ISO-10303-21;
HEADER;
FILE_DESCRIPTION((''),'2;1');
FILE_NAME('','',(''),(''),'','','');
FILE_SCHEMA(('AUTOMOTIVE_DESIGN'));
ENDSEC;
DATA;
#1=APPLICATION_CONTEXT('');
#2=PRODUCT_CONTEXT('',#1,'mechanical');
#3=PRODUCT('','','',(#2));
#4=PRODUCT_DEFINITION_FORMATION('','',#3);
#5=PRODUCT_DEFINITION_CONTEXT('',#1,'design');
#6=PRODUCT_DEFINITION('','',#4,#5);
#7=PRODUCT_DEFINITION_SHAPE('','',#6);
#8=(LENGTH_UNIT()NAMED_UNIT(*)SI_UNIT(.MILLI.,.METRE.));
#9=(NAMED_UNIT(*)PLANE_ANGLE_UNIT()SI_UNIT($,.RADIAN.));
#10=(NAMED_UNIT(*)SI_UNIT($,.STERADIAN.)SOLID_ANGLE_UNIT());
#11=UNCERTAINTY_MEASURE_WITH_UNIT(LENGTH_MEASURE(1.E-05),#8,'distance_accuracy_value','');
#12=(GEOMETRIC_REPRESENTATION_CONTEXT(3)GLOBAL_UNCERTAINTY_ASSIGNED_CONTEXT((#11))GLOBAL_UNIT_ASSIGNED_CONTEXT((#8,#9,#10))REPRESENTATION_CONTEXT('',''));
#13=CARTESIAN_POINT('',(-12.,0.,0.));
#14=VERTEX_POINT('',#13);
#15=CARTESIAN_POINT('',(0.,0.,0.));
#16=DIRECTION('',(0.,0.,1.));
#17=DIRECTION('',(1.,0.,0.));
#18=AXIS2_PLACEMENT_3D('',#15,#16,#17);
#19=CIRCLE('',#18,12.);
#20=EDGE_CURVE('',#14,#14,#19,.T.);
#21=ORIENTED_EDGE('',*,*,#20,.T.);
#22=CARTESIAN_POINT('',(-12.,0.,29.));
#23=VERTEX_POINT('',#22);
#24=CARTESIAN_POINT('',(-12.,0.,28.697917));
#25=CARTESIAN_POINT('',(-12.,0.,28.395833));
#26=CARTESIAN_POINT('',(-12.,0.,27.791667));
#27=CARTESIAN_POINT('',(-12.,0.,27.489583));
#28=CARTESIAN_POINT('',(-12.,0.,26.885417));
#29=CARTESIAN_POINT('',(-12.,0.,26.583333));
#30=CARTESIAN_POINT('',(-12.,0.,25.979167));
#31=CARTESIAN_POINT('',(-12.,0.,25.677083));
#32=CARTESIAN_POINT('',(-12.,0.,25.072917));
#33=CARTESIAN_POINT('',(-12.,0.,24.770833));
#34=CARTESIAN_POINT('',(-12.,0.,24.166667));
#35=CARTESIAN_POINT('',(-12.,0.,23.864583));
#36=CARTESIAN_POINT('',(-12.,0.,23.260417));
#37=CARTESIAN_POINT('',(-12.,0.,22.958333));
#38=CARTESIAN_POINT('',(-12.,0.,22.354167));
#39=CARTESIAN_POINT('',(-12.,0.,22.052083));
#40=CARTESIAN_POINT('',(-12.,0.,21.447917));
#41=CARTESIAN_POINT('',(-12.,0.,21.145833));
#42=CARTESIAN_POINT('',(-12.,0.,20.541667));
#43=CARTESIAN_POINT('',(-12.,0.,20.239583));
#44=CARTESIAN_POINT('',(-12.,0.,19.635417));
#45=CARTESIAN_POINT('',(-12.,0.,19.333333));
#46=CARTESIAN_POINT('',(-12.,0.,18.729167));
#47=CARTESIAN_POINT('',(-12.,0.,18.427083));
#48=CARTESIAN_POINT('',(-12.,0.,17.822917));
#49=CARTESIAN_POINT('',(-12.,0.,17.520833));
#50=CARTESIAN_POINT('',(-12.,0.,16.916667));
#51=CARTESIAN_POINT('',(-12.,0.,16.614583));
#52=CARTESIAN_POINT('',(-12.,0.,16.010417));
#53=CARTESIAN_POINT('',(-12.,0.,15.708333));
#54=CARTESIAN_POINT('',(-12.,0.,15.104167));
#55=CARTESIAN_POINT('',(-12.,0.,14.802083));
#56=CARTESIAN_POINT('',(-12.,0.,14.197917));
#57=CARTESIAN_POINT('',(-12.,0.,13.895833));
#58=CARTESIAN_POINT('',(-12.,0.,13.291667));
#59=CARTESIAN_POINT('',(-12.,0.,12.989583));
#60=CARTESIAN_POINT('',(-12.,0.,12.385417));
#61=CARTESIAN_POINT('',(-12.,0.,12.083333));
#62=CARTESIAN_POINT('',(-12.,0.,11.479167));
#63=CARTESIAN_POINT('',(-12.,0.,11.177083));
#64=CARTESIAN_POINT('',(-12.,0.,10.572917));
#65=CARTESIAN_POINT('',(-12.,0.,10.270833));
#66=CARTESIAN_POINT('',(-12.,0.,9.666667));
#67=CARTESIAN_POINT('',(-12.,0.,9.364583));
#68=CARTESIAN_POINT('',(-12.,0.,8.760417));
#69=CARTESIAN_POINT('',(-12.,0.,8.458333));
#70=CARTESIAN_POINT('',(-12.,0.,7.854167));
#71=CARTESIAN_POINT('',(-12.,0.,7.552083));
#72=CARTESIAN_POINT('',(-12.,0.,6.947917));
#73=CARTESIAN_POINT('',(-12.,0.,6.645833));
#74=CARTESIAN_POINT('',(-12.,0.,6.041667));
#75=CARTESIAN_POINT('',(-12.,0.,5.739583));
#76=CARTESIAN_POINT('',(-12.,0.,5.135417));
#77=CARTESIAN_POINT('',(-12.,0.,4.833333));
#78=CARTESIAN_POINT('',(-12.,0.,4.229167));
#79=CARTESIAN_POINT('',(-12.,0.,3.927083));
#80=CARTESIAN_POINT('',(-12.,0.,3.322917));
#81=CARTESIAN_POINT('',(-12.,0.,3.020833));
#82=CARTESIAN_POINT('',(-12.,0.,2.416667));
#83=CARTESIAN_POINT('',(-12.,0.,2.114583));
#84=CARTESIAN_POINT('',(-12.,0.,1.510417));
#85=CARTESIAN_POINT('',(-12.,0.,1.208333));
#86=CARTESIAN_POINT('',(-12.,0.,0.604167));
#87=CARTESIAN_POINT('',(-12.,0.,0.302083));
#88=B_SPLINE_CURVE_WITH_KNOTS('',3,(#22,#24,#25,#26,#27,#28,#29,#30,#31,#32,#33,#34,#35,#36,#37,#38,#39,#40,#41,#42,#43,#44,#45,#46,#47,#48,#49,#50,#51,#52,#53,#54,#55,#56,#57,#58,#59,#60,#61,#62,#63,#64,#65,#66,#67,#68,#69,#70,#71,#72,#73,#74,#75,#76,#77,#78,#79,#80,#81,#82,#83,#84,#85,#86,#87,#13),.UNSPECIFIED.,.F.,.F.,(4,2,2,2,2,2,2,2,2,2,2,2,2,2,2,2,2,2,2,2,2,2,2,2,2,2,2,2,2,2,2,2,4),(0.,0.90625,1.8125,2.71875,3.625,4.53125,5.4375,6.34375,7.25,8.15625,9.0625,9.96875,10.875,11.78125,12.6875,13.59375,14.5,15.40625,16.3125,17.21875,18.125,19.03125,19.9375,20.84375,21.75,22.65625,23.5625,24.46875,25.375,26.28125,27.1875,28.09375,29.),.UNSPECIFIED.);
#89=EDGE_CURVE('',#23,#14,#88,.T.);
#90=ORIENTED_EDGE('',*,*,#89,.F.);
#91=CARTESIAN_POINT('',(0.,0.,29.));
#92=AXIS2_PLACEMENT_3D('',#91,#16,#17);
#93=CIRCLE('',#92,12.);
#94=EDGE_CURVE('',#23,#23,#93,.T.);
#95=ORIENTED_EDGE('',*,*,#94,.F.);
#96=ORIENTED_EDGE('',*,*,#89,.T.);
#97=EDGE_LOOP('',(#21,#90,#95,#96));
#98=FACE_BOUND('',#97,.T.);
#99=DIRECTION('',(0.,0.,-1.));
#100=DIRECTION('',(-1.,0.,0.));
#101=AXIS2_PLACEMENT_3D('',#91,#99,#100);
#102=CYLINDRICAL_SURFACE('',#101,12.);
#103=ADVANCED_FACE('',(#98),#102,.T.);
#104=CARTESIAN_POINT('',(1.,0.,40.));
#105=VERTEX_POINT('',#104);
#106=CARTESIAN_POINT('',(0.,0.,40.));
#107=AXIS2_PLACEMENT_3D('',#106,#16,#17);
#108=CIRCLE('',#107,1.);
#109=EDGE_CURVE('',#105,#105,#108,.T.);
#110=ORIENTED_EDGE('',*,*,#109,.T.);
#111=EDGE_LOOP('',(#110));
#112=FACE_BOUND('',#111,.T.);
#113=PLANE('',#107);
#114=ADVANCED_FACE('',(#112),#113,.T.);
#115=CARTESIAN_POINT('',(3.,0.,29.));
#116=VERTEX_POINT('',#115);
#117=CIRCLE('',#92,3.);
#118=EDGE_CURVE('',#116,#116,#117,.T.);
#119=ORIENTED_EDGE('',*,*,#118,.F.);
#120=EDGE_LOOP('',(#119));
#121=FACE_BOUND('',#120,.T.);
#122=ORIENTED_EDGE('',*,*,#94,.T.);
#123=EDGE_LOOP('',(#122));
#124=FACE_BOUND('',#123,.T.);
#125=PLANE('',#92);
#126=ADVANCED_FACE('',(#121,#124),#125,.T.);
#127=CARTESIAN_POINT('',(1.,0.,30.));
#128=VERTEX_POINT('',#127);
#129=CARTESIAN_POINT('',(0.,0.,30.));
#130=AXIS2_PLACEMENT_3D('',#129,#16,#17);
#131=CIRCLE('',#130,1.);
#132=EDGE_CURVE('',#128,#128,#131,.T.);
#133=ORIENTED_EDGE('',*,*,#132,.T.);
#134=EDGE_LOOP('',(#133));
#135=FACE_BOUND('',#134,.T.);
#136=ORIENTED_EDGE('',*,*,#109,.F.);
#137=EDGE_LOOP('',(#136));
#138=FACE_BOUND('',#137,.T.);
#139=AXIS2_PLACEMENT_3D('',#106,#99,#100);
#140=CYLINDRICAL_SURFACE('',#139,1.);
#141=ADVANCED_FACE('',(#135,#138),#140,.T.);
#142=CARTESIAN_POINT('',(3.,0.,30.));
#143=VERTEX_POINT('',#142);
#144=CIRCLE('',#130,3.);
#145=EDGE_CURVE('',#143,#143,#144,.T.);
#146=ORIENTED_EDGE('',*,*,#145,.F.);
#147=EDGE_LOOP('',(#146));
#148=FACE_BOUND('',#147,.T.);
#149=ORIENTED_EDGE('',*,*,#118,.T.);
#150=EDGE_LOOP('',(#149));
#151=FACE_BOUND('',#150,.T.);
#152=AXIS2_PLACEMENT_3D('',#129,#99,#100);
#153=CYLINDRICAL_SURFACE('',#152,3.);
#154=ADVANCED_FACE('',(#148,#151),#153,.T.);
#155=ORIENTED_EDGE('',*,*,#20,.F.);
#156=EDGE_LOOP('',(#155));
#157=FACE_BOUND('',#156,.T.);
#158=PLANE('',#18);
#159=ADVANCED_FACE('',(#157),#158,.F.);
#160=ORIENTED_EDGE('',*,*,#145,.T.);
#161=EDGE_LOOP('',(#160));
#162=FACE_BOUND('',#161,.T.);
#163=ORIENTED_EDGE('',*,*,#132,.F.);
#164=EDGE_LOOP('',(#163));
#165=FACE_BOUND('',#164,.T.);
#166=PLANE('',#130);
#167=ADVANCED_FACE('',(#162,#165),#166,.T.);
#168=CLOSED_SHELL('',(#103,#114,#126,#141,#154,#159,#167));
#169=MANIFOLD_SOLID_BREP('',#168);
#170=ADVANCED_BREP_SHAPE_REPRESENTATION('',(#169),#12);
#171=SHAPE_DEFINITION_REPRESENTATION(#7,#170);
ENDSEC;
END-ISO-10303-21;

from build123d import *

# Parameters (mm, degrees)
SKETCH1_R           = 12
BOSS_EXTRUDE1_DEPTH = 29
SKETCH2_R           = 3
BOSS_EXTRUDE2_DEPTH = 1
SKETCH3_R           = 1
BOSS_EXTRUDE3_DEPTH = 10


with BuildPart() as part:
    # Sketch1 → Boss-Extrude1 (new body)
    with BuildSketch(Plane.XY):
        with Locations(Location((0, 0, 0), (0, 0, 180))):
            Circle(SKETCH1_R)
    extrude(amount=BOSS_EXTRUDE1_DEPTH)

    # Sketch2 → Boss-Extrude2 (add)
    with BuildSketch(Plane.XY.offset(29)):
        Circle(SKETCH2_R)
    extrude(amount=BOSS_EXTRUDE2_DEPTH)

    # Sketch3 → Boss-Extrude3 (add)
    with BuildSketch(Plane.XY.offset(30)):
        Circle(SKETCH3_R)
    extrude(amount=BOSS_EXTRUDE3_DEPTH)


solid = part.part
